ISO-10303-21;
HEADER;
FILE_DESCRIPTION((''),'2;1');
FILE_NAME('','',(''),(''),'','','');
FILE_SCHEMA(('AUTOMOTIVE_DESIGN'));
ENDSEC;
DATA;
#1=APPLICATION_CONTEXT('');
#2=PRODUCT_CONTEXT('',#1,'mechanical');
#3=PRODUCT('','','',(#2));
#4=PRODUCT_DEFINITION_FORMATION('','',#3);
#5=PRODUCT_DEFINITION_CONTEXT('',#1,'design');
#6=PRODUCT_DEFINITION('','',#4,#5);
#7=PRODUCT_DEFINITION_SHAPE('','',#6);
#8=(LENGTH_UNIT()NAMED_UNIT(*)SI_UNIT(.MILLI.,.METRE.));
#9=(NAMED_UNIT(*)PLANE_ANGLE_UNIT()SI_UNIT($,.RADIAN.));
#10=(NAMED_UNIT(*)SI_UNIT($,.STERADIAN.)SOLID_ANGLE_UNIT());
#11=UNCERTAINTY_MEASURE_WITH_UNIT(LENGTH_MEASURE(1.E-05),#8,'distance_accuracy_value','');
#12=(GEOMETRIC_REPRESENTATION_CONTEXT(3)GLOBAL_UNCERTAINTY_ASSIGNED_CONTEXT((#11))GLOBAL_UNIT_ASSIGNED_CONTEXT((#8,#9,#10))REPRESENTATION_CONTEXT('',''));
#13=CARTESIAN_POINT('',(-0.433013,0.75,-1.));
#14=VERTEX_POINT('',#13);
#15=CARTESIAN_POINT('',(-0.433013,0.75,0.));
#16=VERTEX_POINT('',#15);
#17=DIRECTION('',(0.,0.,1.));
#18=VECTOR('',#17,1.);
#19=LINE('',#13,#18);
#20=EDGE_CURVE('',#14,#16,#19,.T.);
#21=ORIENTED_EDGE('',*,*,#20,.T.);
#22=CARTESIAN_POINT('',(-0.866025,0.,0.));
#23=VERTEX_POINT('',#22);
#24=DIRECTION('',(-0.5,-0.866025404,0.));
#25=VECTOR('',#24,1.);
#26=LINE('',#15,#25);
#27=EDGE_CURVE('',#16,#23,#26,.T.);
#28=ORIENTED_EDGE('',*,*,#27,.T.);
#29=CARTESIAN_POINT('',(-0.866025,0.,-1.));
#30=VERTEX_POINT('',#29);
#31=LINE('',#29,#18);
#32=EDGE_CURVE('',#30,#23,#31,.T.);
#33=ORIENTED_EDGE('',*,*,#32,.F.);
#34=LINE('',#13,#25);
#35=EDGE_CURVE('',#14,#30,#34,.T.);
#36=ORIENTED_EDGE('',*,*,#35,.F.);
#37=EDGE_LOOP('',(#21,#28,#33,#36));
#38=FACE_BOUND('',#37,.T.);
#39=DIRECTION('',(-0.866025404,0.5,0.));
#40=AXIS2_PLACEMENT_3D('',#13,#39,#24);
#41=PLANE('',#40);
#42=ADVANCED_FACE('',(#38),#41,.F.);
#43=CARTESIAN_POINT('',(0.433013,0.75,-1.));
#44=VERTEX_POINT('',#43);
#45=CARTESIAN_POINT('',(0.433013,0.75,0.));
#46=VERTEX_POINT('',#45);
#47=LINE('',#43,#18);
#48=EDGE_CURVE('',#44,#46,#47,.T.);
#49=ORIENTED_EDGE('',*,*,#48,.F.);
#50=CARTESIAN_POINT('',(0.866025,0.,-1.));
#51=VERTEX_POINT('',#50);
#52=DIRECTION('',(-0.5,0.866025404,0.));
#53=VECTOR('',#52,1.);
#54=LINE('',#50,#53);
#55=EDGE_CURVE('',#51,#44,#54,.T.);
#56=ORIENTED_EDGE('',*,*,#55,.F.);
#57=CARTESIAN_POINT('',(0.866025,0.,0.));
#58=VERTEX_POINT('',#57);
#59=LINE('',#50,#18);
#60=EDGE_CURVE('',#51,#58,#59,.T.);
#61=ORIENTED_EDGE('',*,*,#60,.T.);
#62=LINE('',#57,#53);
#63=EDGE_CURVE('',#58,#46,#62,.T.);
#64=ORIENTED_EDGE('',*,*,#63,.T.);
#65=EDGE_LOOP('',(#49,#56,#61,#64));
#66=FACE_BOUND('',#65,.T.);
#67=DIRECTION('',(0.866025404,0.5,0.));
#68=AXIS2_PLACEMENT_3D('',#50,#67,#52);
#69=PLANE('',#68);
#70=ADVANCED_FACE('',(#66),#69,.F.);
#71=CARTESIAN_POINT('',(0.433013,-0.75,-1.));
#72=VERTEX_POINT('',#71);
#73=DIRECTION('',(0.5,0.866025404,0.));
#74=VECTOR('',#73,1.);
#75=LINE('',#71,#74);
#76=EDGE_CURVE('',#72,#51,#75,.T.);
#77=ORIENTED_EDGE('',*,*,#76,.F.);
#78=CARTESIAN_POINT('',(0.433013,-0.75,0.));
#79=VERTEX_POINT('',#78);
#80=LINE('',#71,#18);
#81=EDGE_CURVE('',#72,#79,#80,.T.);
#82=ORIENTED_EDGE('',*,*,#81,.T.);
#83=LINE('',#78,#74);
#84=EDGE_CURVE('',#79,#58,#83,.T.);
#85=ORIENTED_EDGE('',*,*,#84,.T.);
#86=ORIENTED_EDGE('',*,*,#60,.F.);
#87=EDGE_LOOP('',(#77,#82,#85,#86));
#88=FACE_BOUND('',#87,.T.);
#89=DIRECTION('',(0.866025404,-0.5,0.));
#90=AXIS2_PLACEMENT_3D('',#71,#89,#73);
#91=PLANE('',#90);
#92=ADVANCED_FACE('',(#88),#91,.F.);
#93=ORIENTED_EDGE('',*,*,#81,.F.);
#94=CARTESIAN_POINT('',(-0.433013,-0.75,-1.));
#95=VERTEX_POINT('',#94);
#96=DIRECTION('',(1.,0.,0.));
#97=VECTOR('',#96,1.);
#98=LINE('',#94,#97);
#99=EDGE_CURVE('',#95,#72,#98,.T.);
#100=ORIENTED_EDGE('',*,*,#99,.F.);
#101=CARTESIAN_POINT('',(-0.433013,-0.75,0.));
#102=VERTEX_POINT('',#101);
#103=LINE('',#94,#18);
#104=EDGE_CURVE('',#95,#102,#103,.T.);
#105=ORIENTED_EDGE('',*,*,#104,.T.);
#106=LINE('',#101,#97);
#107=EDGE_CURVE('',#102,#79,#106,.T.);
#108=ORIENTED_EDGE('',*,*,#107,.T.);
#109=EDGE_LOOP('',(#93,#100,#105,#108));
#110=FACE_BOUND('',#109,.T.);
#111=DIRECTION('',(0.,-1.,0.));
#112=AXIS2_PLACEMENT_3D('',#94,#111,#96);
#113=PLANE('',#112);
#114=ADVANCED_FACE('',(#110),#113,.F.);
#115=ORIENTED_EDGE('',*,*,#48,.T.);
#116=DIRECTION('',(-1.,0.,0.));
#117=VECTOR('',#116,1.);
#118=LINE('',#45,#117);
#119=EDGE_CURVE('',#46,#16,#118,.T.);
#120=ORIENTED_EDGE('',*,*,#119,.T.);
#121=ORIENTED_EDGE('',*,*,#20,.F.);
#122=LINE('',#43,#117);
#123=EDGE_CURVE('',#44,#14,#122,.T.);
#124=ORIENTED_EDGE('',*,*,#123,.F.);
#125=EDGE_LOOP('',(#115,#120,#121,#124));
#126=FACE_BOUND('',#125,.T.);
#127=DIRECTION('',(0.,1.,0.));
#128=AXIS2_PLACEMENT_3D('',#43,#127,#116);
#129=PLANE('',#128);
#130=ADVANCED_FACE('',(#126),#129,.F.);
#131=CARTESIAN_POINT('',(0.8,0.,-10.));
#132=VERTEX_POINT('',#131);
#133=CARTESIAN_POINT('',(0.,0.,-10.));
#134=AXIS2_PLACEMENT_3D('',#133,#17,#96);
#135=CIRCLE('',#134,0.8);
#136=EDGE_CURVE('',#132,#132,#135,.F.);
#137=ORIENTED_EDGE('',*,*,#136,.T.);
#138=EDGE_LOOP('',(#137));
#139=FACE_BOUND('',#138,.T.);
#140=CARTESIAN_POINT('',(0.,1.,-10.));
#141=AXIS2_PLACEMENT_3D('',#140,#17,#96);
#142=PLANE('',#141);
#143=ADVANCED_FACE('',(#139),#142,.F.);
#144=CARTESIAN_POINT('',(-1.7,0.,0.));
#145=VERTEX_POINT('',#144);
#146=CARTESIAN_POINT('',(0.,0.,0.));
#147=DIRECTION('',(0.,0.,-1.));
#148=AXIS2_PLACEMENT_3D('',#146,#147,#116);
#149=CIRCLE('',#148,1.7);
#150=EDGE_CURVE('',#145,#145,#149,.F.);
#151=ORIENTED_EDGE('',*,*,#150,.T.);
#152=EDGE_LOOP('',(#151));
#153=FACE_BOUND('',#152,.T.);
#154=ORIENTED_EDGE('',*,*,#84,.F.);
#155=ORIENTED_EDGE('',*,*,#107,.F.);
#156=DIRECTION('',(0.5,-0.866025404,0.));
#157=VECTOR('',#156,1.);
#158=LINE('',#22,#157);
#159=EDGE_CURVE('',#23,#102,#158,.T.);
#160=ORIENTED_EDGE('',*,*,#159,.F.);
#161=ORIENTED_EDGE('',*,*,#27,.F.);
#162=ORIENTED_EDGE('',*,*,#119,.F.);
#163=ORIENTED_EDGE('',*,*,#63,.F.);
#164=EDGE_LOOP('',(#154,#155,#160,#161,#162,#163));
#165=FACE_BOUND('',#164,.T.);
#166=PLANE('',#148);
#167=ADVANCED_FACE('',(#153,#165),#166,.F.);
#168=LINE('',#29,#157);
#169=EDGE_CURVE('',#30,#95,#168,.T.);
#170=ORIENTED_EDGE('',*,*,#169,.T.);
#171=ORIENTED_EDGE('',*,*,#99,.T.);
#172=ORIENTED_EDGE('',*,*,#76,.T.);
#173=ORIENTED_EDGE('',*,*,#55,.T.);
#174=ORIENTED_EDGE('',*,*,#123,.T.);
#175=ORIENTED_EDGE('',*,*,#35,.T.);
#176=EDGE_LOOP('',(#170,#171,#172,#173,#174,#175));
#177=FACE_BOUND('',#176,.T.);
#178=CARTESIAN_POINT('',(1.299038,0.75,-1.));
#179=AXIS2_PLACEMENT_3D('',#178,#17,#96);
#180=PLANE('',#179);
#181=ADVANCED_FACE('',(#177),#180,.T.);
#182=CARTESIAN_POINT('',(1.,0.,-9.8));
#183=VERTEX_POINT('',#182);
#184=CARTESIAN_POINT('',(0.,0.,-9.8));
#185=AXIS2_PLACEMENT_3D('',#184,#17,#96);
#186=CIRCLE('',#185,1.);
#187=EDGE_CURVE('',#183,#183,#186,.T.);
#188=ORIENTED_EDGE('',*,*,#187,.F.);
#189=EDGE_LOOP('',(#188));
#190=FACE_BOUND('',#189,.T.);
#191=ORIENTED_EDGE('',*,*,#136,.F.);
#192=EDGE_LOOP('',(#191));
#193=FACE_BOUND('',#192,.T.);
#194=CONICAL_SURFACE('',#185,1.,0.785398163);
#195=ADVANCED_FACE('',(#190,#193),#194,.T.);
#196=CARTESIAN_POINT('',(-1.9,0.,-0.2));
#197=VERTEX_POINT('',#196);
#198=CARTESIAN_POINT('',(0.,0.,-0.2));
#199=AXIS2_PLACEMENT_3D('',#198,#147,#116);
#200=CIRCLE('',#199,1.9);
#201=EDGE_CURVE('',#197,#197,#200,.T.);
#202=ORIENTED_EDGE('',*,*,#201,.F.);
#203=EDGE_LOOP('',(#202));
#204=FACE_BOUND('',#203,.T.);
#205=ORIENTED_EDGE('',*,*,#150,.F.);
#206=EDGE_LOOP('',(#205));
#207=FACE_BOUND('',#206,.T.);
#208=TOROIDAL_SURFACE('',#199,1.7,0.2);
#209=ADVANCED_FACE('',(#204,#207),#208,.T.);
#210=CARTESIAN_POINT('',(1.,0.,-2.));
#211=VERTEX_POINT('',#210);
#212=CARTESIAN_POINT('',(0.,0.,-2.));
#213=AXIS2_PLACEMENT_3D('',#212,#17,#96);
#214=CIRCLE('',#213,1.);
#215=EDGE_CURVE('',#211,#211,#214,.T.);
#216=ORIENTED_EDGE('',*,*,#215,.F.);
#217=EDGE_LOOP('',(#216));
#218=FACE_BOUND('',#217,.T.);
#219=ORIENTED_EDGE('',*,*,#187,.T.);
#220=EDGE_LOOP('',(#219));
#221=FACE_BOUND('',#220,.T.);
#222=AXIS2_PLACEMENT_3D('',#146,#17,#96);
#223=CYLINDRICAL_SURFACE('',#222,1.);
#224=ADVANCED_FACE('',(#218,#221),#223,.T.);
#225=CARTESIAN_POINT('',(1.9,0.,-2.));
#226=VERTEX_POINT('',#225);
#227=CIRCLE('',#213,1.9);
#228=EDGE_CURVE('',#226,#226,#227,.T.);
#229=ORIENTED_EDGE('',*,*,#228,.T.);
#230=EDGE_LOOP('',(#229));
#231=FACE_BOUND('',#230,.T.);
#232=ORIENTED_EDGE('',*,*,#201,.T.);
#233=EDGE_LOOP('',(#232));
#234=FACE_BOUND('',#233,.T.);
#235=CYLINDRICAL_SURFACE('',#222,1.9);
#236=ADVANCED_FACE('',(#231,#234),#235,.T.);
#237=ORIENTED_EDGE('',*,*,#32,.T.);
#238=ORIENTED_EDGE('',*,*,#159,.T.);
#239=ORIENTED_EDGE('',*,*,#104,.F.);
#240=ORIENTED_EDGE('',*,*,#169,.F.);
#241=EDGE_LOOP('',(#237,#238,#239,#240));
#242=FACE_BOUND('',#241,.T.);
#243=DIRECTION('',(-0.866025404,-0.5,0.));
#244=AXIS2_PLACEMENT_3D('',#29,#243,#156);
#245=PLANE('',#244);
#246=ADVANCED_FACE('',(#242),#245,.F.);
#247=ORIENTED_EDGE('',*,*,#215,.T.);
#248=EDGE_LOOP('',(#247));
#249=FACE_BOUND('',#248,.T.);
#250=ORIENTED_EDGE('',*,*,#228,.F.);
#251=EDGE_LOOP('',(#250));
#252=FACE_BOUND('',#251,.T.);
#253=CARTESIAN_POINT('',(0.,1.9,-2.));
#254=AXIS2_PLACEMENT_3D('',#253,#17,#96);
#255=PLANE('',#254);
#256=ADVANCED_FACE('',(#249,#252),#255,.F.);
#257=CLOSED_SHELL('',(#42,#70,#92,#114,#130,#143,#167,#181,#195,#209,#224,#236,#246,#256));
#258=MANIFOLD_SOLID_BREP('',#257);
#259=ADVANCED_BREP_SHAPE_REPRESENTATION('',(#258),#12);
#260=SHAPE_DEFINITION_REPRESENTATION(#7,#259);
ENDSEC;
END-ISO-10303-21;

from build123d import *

# Parameters (mm, degrees)
EXTRUDE1_DEPTH = 1
FILLET1_R      = 0.2
CHAMFER_1_SIZE = 0.2


with BuildPart() as part:
    # Sketch2 → Matrix-Rotate1 (revolve)
    with BuildSketch(Plane(origin=(0, 0, 0), x_dir=(0, 0, -1), z_dir=(1, 0, 0)), mode=Mode.PRIVATE) as matrix_rotate1_sk:
        Polygon((0, 0), (0, 1.9), (2, 1.9), (2, 1), (10, 1), (10, 0), align=None)
    revolve(matrix_rotate1_sk.sketch.rotate(Axis((0, 0, 0), (0, 0, -1)), 90), axis=Axis((0, 0, 0), (0, 0, -1)))

    # Sketch3 → Extrude1 (cut)
    with BuildSketch(Plane.XY):
        Polygon((0.866025404, 0), (0.433012702, 0.75), (-0.433012702, 0.75), (-0.866025404, 0), (-0.433012702, -0.75), (0.433012702, -0.75), align=None)
    extrude(amount=-EXTRUDE1_DEPTH, mode=Mode.SUBTRACT)

    # Fillet1
    fillet1_edges = [part.edges().sort_by_distance(p)[0] for p in [
        (-1.9, 0, 0),
    ]]
    fillet(fillet1_edges, radius=FILLET1_R)

    # 倒角1
    chamfer_1_edges = [part.edges().sort_by_distance(p)[0] for p in [
        (-1, 0, -10),
    ]]
    chamfer(chamfer_1_edges, length=CHAMFER_1_SIZE)


solid = part.part
